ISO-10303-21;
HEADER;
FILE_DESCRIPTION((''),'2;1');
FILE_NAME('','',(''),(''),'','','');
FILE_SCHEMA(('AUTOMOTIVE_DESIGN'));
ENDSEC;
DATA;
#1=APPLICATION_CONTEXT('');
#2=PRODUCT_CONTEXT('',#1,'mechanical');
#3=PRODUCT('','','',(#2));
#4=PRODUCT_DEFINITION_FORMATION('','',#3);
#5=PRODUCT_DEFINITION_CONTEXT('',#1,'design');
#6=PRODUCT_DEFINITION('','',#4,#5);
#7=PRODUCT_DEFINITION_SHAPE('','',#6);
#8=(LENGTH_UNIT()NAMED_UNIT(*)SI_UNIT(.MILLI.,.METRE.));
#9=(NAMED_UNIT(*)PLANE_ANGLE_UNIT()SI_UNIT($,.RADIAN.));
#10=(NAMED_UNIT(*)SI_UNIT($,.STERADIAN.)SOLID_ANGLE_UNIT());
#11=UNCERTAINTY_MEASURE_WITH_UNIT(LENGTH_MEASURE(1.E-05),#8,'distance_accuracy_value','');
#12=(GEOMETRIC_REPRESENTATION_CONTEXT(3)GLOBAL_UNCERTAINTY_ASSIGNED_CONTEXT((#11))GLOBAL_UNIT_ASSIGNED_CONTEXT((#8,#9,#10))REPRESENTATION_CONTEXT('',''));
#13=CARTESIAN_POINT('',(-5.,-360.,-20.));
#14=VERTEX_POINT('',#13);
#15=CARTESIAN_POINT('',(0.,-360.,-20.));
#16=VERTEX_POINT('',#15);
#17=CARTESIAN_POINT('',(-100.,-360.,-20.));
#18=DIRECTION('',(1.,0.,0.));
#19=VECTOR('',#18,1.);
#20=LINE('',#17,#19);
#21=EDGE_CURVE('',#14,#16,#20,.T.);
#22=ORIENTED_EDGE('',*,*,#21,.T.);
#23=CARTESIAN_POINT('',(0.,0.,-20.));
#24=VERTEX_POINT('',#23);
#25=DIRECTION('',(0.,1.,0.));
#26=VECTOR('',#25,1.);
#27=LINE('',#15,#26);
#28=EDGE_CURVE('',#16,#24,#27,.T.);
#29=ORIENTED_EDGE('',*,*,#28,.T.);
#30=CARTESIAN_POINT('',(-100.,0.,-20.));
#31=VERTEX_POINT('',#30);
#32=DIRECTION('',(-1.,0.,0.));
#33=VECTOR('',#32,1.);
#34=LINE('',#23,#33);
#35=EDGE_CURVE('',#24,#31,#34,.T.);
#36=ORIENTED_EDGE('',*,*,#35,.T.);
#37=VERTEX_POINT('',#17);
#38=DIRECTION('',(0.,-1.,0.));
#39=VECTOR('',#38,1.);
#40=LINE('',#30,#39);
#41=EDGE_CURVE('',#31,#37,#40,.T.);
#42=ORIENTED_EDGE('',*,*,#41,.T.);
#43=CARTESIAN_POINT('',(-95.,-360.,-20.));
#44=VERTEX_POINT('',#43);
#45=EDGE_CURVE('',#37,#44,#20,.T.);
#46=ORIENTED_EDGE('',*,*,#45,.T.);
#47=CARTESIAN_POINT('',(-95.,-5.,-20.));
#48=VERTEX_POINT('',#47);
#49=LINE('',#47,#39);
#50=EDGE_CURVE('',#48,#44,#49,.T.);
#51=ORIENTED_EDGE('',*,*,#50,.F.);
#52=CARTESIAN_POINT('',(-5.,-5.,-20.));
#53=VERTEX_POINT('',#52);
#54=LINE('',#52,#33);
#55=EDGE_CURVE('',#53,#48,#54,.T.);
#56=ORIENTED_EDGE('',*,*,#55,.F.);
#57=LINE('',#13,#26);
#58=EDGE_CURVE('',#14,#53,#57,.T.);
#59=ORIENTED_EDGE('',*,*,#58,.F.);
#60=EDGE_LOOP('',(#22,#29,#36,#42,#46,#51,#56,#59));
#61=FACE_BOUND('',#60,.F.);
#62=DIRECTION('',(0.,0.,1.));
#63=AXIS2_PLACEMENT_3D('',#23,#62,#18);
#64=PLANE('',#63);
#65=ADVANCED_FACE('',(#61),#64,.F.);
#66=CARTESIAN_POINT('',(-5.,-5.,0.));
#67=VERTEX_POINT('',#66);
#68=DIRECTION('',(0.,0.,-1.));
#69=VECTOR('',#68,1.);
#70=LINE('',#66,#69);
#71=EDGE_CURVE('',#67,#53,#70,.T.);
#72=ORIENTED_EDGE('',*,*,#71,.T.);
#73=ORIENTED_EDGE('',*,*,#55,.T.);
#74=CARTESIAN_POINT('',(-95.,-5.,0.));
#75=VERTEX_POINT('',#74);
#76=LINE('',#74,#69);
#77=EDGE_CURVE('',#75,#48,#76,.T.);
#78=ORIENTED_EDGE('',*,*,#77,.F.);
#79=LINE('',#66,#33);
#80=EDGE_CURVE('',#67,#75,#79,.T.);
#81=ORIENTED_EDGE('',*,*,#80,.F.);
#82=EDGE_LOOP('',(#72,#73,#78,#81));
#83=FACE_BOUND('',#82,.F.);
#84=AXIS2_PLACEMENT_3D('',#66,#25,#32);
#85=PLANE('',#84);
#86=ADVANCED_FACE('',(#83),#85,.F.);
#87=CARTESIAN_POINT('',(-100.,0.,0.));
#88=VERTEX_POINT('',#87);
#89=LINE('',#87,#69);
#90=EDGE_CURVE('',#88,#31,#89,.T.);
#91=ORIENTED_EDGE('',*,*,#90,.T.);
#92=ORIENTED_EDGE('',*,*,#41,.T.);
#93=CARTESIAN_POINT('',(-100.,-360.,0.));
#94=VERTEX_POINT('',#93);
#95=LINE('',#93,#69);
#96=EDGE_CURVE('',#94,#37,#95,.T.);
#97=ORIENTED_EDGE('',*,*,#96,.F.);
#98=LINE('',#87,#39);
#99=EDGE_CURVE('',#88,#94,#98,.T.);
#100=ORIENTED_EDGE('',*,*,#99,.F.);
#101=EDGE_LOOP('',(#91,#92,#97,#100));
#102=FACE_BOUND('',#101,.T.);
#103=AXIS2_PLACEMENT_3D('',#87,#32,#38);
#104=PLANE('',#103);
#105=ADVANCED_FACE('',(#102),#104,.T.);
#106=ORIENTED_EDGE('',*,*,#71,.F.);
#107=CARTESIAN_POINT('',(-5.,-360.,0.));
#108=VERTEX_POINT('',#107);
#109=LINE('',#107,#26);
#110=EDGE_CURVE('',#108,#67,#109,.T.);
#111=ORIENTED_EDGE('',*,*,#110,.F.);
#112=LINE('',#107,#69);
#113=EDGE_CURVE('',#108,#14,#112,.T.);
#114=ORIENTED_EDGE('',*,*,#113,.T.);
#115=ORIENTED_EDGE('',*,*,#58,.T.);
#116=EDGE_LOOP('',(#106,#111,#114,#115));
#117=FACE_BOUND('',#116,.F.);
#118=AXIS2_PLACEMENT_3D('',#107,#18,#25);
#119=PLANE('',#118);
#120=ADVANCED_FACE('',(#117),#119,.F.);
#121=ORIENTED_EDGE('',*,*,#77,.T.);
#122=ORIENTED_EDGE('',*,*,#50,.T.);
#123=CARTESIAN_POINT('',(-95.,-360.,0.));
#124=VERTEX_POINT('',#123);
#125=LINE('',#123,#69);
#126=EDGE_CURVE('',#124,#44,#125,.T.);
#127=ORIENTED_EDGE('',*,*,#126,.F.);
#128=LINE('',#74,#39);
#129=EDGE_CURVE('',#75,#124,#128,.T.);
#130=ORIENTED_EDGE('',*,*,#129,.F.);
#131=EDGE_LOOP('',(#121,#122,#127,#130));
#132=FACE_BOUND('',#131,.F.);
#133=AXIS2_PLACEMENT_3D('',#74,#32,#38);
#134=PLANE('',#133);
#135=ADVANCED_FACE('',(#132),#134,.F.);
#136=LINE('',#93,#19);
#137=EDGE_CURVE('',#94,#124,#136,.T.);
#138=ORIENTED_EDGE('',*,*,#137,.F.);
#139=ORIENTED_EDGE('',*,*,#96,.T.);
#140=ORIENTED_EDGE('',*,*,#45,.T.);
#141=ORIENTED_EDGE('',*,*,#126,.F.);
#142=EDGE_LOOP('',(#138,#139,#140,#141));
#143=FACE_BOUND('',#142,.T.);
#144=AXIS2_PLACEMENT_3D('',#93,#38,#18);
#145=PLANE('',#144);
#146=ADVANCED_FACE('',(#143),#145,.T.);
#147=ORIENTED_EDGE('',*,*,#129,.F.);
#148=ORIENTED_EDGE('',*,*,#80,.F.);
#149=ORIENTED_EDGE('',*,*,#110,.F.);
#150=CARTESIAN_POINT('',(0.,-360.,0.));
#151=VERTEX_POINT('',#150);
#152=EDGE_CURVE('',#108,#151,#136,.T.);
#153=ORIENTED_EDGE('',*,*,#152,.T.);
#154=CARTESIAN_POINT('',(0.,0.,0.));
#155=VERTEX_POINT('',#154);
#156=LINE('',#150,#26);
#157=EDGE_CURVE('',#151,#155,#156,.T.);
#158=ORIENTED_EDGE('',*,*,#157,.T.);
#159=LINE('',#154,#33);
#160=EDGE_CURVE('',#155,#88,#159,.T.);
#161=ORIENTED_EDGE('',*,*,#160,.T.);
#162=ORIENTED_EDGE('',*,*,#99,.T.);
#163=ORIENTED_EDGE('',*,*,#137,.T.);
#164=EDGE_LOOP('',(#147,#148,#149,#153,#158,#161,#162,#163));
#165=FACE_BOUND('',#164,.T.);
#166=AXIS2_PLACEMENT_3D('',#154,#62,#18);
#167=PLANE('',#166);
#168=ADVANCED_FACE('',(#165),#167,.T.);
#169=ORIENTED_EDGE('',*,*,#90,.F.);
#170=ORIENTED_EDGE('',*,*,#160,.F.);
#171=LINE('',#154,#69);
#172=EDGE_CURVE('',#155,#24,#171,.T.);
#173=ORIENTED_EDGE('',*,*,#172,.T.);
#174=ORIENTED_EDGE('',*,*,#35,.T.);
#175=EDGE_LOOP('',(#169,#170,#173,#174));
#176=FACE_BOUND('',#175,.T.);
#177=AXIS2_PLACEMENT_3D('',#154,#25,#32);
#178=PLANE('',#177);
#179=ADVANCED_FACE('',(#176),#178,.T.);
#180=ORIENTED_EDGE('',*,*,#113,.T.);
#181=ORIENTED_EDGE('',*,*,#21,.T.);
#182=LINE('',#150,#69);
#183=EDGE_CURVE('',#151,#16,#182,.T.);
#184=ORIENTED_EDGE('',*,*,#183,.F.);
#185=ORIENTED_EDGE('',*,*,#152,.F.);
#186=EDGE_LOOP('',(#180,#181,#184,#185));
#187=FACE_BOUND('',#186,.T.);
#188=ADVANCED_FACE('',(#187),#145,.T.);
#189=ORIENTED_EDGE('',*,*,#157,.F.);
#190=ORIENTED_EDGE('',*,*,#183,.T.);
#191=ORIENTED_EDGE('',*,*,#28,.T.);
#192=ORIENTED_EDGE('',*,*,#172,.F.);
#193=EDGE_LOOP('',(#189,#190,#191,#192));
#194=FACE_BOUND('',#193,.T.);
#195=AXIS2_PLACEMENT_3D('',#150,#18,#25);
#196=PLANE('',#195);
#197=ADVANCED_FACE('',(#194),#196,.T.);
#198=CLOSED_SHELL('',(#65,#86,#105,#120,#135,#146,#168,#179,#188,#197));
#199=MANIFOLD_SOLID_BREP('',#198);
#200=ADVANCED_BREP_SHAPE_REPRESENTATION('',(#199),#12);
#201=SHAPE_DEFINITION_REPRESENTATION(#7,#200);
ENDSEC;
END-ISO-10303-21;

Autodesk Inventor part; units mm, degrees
ref_plane "YZ Plane" through (0, 0, 0) normal (1, 0, 0) x (0, 1, 0)
ref_plane "XZ Plane" through (0, 0, 0) normal (0, 1, 0) x (-1, 0, 0)
sketch "スケッチ1" plane through (0, 0, 0) normal (0, 0, 1) x (1, 0, 0)
  line L0 (0, 0) -> (-100, 0)
  line L1 (-100, 0) -> (-100, -360)
  line L2 (-100, -360) -> (0, -360)
  line L3 (0, -360) -> (0, 0)
  dimension "d0" = 100
  dimension "d1" = 360
ref_plane "作業平面1" through (-6, -360, -20) normal (0, 0, -1) x (0, 1, 0)
extrude "押し出し1" add sketch "スケッチ1" against normal up to surface (20 mm away)
sketch "スケッチ3" plane through (0, 0, 0) normal (0, 0, 1) x (1, 0, 0)
  line L0 (0, -360) -> (0, 0) projected
  line L1 (0, 0) -> (-100, 0) projected
  line L2 (-100, 0) -> (-100, -360) projected
  line L3 (-100, -360) -> (0, -360) projected
  line L4 (-5, -5) -> (-95, -5)
  line L5 (-95, -5) -> (-95, -360)
  line L6 (-95, -360) -> (-5, -360)
  line L7 (-5, -360) -> (-5, -5)
  point P0 (-5, -360)
  dimension "d4" = 5
  dimension "d5" = 5
  dimension "d6" = 5
  dimension "d7" = 0
extrude "押し出し2" cut sketch "スケッチ3" against normal up to surface (20 mm away) contours L3 L5 L4 L7
properties part number "arm1"
